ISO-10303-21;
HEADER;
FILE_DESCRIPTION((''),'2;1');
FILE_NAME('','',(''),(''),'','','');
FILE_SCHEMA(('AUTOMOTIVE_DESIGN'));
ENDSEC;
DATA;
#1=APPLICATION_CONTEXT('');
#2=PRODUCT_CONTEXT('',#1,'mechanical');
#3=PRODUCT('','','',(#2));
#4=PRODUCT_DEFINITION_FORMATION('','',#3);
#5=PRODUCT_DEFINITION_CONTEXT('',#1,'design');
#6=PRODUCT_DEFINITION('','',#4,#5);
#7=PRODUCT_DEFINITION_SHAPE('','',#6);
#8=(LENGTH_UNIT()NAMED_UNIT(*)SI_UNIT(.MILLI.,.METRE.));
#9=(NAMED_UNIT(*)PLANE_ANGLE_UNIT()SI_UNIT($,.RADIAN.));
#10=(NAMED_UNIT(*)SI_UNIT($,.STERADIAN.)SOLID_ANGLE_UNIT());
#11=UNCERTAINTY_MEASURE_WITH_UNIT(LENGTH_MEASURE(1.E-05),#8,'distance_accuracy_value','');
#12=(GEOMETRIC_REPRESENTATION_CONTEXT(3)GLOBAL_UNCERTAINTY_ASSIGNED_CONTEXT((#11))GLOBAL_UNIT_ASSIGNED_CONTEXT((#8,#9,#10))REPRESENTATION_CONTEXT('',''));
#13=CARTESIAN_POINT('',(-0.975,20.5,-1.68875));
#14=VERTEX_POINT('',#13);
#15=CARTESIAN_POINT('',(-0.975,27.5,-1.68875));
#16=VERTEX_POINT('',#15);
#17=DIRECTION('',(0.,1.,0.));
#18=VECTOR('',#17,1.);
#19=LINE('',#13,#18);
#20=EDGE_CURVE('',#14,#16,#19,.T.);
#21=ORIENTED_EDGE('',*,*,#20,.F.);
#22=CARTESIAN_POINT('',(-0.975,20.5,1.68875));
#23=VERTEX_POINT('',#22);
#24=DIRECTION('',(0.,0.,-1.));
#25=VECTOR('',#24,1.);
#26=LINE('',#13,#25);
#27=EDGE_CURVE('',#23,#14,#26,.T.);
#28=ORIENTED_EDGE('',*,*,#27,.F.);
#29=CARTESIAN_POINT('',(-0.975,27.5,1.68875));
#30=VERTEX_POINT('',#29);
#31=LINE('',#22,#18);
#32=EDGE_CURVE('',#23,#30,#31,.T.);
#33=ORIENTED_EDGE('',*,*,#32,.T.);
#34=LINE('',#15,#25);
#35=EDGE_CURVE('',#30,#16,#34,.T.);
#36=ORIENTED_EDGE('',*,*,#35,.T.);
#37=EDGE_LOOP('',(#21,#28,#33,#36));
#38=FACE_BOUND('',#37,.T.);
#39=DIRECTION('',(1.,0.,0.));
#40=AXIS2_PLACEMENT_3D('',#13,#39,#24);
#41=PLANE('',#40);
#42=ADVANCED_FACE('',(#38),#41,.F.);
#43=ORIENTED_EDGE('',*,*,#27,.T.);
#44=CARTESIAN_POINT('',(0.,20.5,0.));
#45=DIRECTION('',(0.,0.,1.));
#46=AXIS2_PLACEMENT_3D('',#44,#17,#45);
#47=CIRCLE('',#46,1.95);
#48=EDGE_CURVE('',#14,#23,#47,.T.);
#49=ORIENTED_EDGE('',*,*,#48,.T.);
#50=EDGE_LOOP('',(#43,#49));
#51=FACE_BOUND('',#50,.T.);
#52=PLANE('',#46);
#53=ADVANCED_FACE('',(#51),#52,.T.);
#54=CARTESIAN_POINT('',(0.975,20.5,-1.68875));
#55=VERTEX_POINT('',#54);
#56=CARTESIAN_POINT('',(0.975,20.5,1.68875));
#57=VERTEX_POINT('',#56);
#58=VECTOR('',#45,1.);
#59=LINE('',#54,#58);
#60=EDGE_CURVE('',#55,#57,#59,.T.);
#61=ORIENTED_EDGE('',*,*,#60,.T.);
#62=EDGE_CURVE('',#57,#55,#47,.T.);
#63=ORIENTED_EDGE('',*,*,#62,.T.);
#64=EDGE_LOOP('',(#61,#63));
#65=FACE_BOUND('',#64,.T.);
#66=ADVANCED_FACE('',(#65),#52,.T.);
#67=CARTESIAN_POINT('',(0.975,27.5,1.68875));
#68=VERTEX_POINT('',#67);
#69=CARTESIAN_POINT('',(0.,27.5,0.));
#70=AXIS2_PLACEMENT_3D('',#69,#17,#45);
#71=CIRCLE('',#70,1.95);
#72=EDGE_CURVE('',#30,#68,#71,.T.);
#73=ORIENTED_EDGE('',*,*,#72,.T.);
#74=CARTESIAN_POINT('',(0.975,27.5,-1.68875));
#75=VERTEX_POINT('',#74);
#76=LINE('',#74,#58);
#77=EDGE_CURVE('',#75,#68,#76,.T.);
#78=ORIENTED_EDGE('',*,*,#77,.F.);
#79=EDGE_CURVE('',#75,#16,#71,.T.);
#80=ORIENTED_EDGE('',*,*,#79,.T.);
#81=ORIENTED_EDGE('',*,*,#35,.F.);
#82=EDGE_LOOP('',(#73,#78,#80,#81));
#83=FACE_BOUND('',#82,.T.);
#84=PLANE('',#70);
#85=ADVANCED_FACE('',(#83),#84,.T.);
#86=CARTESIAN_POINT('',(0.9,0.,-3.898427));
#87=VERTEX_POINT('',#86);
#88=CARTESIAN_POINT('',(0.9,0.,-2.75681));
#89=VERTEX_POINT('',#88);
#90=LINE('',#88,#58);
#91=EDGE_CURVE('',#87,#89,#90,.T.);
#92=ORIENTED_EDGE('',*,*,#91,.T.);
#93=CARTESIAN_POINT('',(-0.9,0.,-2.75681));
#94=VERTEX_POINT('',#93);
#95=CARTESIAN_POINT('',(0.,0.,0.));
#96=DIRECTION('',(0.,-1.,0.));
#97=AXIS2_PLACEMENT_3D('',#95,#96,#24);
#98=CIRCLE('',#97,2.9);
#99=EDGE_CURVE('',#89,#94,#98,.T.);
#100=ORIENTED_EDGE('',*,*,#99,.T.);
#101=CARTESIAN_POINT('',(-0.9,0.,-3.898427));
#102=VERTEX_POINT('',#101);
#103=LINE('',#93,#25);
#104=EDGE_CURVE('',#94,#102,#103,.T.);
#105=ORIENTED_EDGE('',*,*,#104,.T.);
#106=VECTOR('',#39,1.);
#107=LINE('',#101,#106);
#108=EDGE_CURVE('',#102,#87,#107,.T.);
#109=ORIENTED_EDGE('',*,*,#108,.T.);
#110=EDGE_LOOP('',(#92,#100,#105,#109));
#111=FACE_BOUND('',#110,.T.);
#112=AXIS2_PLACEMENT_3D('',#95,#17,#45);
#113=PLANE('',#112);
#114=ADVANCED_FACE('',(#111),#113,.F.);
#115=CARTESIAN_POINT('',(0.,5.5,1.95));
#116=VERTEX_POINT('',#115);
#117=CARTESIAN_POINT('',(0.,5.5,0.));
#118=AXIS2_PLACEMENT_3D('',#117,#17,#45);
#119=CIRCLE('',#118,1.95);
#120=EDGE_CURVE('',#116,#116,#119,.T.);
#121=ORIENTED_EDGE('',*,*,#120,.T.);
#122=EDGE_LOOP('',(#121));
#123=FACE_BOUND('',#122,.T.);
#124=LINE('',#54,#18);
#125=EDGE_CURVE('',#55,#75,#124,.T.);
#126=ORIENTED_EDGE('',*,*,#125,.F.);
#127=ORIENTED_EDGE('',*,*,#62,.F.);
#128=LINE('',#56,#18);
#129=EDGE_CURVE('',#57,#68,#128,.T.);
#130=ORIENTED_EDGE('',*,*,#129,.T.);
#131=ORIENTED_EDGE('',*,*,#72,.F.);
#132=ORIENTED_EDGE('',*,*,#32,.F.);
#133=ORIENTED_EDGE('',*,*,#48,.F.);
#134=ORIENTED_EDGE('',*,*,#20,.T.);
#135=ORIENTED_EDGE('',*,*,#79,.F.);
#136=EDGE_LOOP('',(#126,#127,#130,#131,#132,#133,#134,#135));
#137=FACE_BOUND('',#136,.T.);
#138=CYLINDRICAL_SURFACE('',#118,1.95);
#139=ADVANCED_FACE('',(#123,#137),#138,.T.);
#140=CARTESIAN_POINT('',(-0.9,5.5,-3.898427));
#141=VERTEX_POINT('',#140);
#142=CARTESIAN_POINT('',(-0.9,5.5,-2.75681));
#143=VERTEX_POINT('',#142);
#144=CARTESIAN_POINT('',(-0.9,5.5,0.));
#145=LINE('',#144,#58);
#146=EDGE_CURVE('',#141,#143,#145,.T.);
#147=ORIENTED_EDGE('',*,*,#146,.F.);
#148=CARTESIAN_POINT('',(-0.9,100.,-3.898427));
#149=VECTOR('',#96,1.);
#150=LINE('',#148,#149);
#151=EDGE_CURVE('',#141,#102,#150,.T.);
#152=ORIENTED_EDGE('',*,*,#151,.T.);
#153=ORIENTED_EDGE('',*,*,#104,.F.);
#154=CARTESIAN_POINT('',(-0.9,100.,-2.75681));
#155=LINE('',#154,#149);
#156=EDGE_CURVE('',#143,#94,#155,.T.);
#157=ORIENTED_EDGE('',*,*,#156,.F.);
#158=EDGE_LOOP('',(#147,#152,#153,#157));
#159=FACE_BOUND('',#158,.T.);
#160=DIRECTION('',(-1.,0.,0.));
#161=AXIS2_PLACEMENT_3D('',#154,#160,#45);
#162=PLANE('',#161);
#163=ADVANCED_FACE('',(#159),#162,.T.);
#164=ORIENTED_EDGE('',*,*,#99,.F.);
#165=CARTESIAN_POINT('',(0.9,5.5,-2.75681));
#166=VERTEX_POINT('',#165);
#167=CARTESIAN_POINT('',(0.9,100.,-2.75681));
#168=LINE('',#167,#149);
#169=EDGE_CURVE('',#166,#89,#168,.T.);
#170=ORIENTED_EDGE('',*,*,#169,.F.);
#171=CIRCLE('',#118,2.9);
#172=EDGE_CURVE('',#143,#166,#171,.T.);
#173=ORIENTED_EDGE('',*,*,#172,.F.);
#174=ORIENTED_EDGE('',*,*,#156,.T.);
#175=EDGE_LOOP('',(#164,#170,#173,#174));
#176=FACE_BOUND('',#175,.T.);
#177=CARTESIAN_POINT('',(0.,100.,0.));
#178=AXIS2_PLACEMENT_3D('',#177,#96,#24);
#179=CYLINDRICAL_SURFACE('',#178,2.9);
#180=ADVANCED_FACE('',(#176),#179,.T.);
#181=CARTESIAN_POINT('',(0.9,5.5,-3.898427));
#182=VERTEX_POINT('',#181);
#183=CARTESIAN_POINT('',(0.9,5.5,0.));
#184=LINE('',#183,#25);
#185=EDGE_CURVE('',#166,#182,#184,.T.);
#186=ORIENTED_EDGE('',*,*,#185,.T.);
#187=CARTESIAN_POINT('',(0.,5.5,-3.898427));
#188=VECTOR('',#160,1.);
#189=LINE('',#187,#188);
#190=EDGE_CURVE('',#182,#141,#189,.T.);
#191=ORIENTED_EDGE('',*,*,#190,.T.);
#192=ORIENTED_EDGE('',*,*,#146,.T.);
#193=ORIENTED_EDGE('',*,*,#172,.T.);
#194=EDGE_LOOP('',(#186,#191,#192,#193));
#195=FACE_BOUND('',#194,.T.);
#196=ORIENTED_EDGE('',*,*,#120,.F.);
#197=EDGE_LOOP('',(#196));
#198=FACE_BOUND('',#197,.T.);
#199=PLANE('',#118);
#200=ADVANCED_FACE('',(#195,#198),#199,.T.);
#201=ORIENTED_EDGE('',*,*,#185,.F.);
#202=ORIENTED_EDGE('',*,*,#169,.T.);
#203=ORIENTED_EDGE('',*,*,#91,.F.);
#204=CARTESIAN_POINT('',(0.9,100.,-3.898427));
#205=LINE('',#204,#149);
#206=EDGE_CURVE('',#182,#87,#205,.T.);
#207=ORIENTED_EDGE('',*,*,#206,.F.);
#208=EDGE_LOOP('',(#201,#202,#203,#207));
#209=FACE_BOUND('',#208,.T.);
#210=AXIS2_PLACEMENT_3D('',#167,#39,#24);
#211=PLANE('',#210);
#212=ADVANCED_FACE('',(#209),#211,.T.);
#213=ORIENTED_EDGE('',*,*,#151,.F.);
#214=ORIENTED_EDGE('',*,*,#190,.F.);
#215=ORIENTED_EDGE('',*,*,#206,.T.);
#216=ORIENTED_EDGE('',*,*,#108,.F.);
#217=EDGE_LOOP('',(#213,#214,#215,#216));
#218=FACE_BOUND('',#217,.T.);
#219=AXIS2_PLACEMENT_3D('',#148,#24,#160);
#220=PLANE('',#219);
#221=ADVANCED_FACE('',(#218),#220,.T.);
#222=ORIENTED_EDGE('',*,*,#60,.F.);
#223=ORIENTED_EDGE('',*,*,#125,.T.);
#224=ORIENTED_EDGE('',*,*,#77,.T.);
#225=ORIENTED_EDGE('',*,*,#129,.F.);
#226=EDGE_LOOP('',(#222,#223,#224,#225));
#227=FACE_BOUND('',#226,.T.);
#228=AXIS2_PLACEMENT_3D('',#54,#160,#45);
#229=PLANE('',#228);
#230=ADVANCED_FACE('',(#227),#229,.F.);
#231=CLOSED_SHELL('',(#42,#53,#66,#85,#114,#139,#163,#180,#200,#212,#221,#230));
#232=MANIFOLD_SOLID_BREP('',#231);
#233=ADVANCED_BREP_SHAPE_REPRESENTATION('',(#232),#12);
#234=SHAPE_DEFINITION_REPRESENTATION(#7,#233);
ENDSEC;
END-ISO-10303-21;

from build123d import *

# Parameters (mm, degrees)
SKETCH1_R           = 3
SKETCH1_W           = 2
SKETCH1_H           = 1.17
BOSS_EXTRUDE1_DEPTH = 27.5
SKETCH2_R           = 6.166150273
SKETCH2_R_2         = 1.95
CUT_EXTRUDE1_DEPTH  = 22
CUT_EXTRUDE2_DEPTH  = 7
CUT_EXTRUDE3_DEPTH  = 100


with BuildPart() as part:
    # Sketch1 → Boss-Extrude1 (new body)
    with BuildSketch(Plane(origin=(0, 0, 0), x_dir=(1, 0, 0), z_dir=(0, 1, 0))):
        Circle(SKETCH1_R)
        with Locations((0, 3.413427125)):
            Rectangle(SKETCH1_W, SKETCH1_H)
    extrude(amount=BOSS_EXTRUDE1_DEPTH)

    # Sketch2 → Cut-Extrude1 (cut)
    with BuildSketch(Plane(origin=(0, 27.5, 0), x_dir=(1, 0, 0), z_dir=(0, 1, 0))):
        Circle(SKETCH2_R)
        Circle(SKETCH2_R_2, mode=Mode.SUBTRACT)
    extrude(amount=-CUT_EXTRUDE1_DEPTH, mode=Mode.SUBTRACT)

    # Sketch3 → Cut-Extrude2 (cut)
    with BuildSketch(Plane(origin=(0, 27.5, 0), x_dir=(1, 0, 0), z_dir=(0, 1, 0))):
        with BuildLine():
            Line((-0.975, 1.688749537), (-0.975, -1.688749537))
            ThreePointArc((-0.975, -1.688749537), (-1.95, 0), (-0.975, 1.688749537))
        make_face()
        with BuildLine():
            Line((0.975, 1.688749537), (0.975, -1.688749537))
            ThreePointArc((0.975, -1.688749537), (1.95, 0), (0.975, 1.688749537))
        make_face()
    extrude(amount=-CUT_EXTRUDE2_DEPTH, mode=Mode.SUBTRACT)

    # Sketch4 → Cut-Extrude3 (cut)
    with BuildSketch(Plane.XZ):
        with BuildLine():
            Line((-1, -3.998427125), (1, -3.998427125))
            Line((1, -3.998427125), (1, -2.828427125))
            ThreePointArc((1, -2.828427125), (0, 3), (-1, -2.828427125))
            Line((-1, -2.828427125), (-1, -3.998427125))
        make_face()
        with BuildLine():
            Line((-0.9, -2.75680975), (-0.9, -3.898427125))
            Line((-0.9, -3.898427125), (0.9, -3.898427125))
            Line((0.9, -3.898427125), (0.9, -2.75680975))
            ThreePointArc((0.9, -2.75680975), (0, 2.9), (-0.9, -2.75680975))
        make_face(mode=Mode.SUBTRACT)
    extrude(amount=-CUT_EXTRUDE3_DEPTH, mode=Mode.SUBTRACT)


solid = part.part
